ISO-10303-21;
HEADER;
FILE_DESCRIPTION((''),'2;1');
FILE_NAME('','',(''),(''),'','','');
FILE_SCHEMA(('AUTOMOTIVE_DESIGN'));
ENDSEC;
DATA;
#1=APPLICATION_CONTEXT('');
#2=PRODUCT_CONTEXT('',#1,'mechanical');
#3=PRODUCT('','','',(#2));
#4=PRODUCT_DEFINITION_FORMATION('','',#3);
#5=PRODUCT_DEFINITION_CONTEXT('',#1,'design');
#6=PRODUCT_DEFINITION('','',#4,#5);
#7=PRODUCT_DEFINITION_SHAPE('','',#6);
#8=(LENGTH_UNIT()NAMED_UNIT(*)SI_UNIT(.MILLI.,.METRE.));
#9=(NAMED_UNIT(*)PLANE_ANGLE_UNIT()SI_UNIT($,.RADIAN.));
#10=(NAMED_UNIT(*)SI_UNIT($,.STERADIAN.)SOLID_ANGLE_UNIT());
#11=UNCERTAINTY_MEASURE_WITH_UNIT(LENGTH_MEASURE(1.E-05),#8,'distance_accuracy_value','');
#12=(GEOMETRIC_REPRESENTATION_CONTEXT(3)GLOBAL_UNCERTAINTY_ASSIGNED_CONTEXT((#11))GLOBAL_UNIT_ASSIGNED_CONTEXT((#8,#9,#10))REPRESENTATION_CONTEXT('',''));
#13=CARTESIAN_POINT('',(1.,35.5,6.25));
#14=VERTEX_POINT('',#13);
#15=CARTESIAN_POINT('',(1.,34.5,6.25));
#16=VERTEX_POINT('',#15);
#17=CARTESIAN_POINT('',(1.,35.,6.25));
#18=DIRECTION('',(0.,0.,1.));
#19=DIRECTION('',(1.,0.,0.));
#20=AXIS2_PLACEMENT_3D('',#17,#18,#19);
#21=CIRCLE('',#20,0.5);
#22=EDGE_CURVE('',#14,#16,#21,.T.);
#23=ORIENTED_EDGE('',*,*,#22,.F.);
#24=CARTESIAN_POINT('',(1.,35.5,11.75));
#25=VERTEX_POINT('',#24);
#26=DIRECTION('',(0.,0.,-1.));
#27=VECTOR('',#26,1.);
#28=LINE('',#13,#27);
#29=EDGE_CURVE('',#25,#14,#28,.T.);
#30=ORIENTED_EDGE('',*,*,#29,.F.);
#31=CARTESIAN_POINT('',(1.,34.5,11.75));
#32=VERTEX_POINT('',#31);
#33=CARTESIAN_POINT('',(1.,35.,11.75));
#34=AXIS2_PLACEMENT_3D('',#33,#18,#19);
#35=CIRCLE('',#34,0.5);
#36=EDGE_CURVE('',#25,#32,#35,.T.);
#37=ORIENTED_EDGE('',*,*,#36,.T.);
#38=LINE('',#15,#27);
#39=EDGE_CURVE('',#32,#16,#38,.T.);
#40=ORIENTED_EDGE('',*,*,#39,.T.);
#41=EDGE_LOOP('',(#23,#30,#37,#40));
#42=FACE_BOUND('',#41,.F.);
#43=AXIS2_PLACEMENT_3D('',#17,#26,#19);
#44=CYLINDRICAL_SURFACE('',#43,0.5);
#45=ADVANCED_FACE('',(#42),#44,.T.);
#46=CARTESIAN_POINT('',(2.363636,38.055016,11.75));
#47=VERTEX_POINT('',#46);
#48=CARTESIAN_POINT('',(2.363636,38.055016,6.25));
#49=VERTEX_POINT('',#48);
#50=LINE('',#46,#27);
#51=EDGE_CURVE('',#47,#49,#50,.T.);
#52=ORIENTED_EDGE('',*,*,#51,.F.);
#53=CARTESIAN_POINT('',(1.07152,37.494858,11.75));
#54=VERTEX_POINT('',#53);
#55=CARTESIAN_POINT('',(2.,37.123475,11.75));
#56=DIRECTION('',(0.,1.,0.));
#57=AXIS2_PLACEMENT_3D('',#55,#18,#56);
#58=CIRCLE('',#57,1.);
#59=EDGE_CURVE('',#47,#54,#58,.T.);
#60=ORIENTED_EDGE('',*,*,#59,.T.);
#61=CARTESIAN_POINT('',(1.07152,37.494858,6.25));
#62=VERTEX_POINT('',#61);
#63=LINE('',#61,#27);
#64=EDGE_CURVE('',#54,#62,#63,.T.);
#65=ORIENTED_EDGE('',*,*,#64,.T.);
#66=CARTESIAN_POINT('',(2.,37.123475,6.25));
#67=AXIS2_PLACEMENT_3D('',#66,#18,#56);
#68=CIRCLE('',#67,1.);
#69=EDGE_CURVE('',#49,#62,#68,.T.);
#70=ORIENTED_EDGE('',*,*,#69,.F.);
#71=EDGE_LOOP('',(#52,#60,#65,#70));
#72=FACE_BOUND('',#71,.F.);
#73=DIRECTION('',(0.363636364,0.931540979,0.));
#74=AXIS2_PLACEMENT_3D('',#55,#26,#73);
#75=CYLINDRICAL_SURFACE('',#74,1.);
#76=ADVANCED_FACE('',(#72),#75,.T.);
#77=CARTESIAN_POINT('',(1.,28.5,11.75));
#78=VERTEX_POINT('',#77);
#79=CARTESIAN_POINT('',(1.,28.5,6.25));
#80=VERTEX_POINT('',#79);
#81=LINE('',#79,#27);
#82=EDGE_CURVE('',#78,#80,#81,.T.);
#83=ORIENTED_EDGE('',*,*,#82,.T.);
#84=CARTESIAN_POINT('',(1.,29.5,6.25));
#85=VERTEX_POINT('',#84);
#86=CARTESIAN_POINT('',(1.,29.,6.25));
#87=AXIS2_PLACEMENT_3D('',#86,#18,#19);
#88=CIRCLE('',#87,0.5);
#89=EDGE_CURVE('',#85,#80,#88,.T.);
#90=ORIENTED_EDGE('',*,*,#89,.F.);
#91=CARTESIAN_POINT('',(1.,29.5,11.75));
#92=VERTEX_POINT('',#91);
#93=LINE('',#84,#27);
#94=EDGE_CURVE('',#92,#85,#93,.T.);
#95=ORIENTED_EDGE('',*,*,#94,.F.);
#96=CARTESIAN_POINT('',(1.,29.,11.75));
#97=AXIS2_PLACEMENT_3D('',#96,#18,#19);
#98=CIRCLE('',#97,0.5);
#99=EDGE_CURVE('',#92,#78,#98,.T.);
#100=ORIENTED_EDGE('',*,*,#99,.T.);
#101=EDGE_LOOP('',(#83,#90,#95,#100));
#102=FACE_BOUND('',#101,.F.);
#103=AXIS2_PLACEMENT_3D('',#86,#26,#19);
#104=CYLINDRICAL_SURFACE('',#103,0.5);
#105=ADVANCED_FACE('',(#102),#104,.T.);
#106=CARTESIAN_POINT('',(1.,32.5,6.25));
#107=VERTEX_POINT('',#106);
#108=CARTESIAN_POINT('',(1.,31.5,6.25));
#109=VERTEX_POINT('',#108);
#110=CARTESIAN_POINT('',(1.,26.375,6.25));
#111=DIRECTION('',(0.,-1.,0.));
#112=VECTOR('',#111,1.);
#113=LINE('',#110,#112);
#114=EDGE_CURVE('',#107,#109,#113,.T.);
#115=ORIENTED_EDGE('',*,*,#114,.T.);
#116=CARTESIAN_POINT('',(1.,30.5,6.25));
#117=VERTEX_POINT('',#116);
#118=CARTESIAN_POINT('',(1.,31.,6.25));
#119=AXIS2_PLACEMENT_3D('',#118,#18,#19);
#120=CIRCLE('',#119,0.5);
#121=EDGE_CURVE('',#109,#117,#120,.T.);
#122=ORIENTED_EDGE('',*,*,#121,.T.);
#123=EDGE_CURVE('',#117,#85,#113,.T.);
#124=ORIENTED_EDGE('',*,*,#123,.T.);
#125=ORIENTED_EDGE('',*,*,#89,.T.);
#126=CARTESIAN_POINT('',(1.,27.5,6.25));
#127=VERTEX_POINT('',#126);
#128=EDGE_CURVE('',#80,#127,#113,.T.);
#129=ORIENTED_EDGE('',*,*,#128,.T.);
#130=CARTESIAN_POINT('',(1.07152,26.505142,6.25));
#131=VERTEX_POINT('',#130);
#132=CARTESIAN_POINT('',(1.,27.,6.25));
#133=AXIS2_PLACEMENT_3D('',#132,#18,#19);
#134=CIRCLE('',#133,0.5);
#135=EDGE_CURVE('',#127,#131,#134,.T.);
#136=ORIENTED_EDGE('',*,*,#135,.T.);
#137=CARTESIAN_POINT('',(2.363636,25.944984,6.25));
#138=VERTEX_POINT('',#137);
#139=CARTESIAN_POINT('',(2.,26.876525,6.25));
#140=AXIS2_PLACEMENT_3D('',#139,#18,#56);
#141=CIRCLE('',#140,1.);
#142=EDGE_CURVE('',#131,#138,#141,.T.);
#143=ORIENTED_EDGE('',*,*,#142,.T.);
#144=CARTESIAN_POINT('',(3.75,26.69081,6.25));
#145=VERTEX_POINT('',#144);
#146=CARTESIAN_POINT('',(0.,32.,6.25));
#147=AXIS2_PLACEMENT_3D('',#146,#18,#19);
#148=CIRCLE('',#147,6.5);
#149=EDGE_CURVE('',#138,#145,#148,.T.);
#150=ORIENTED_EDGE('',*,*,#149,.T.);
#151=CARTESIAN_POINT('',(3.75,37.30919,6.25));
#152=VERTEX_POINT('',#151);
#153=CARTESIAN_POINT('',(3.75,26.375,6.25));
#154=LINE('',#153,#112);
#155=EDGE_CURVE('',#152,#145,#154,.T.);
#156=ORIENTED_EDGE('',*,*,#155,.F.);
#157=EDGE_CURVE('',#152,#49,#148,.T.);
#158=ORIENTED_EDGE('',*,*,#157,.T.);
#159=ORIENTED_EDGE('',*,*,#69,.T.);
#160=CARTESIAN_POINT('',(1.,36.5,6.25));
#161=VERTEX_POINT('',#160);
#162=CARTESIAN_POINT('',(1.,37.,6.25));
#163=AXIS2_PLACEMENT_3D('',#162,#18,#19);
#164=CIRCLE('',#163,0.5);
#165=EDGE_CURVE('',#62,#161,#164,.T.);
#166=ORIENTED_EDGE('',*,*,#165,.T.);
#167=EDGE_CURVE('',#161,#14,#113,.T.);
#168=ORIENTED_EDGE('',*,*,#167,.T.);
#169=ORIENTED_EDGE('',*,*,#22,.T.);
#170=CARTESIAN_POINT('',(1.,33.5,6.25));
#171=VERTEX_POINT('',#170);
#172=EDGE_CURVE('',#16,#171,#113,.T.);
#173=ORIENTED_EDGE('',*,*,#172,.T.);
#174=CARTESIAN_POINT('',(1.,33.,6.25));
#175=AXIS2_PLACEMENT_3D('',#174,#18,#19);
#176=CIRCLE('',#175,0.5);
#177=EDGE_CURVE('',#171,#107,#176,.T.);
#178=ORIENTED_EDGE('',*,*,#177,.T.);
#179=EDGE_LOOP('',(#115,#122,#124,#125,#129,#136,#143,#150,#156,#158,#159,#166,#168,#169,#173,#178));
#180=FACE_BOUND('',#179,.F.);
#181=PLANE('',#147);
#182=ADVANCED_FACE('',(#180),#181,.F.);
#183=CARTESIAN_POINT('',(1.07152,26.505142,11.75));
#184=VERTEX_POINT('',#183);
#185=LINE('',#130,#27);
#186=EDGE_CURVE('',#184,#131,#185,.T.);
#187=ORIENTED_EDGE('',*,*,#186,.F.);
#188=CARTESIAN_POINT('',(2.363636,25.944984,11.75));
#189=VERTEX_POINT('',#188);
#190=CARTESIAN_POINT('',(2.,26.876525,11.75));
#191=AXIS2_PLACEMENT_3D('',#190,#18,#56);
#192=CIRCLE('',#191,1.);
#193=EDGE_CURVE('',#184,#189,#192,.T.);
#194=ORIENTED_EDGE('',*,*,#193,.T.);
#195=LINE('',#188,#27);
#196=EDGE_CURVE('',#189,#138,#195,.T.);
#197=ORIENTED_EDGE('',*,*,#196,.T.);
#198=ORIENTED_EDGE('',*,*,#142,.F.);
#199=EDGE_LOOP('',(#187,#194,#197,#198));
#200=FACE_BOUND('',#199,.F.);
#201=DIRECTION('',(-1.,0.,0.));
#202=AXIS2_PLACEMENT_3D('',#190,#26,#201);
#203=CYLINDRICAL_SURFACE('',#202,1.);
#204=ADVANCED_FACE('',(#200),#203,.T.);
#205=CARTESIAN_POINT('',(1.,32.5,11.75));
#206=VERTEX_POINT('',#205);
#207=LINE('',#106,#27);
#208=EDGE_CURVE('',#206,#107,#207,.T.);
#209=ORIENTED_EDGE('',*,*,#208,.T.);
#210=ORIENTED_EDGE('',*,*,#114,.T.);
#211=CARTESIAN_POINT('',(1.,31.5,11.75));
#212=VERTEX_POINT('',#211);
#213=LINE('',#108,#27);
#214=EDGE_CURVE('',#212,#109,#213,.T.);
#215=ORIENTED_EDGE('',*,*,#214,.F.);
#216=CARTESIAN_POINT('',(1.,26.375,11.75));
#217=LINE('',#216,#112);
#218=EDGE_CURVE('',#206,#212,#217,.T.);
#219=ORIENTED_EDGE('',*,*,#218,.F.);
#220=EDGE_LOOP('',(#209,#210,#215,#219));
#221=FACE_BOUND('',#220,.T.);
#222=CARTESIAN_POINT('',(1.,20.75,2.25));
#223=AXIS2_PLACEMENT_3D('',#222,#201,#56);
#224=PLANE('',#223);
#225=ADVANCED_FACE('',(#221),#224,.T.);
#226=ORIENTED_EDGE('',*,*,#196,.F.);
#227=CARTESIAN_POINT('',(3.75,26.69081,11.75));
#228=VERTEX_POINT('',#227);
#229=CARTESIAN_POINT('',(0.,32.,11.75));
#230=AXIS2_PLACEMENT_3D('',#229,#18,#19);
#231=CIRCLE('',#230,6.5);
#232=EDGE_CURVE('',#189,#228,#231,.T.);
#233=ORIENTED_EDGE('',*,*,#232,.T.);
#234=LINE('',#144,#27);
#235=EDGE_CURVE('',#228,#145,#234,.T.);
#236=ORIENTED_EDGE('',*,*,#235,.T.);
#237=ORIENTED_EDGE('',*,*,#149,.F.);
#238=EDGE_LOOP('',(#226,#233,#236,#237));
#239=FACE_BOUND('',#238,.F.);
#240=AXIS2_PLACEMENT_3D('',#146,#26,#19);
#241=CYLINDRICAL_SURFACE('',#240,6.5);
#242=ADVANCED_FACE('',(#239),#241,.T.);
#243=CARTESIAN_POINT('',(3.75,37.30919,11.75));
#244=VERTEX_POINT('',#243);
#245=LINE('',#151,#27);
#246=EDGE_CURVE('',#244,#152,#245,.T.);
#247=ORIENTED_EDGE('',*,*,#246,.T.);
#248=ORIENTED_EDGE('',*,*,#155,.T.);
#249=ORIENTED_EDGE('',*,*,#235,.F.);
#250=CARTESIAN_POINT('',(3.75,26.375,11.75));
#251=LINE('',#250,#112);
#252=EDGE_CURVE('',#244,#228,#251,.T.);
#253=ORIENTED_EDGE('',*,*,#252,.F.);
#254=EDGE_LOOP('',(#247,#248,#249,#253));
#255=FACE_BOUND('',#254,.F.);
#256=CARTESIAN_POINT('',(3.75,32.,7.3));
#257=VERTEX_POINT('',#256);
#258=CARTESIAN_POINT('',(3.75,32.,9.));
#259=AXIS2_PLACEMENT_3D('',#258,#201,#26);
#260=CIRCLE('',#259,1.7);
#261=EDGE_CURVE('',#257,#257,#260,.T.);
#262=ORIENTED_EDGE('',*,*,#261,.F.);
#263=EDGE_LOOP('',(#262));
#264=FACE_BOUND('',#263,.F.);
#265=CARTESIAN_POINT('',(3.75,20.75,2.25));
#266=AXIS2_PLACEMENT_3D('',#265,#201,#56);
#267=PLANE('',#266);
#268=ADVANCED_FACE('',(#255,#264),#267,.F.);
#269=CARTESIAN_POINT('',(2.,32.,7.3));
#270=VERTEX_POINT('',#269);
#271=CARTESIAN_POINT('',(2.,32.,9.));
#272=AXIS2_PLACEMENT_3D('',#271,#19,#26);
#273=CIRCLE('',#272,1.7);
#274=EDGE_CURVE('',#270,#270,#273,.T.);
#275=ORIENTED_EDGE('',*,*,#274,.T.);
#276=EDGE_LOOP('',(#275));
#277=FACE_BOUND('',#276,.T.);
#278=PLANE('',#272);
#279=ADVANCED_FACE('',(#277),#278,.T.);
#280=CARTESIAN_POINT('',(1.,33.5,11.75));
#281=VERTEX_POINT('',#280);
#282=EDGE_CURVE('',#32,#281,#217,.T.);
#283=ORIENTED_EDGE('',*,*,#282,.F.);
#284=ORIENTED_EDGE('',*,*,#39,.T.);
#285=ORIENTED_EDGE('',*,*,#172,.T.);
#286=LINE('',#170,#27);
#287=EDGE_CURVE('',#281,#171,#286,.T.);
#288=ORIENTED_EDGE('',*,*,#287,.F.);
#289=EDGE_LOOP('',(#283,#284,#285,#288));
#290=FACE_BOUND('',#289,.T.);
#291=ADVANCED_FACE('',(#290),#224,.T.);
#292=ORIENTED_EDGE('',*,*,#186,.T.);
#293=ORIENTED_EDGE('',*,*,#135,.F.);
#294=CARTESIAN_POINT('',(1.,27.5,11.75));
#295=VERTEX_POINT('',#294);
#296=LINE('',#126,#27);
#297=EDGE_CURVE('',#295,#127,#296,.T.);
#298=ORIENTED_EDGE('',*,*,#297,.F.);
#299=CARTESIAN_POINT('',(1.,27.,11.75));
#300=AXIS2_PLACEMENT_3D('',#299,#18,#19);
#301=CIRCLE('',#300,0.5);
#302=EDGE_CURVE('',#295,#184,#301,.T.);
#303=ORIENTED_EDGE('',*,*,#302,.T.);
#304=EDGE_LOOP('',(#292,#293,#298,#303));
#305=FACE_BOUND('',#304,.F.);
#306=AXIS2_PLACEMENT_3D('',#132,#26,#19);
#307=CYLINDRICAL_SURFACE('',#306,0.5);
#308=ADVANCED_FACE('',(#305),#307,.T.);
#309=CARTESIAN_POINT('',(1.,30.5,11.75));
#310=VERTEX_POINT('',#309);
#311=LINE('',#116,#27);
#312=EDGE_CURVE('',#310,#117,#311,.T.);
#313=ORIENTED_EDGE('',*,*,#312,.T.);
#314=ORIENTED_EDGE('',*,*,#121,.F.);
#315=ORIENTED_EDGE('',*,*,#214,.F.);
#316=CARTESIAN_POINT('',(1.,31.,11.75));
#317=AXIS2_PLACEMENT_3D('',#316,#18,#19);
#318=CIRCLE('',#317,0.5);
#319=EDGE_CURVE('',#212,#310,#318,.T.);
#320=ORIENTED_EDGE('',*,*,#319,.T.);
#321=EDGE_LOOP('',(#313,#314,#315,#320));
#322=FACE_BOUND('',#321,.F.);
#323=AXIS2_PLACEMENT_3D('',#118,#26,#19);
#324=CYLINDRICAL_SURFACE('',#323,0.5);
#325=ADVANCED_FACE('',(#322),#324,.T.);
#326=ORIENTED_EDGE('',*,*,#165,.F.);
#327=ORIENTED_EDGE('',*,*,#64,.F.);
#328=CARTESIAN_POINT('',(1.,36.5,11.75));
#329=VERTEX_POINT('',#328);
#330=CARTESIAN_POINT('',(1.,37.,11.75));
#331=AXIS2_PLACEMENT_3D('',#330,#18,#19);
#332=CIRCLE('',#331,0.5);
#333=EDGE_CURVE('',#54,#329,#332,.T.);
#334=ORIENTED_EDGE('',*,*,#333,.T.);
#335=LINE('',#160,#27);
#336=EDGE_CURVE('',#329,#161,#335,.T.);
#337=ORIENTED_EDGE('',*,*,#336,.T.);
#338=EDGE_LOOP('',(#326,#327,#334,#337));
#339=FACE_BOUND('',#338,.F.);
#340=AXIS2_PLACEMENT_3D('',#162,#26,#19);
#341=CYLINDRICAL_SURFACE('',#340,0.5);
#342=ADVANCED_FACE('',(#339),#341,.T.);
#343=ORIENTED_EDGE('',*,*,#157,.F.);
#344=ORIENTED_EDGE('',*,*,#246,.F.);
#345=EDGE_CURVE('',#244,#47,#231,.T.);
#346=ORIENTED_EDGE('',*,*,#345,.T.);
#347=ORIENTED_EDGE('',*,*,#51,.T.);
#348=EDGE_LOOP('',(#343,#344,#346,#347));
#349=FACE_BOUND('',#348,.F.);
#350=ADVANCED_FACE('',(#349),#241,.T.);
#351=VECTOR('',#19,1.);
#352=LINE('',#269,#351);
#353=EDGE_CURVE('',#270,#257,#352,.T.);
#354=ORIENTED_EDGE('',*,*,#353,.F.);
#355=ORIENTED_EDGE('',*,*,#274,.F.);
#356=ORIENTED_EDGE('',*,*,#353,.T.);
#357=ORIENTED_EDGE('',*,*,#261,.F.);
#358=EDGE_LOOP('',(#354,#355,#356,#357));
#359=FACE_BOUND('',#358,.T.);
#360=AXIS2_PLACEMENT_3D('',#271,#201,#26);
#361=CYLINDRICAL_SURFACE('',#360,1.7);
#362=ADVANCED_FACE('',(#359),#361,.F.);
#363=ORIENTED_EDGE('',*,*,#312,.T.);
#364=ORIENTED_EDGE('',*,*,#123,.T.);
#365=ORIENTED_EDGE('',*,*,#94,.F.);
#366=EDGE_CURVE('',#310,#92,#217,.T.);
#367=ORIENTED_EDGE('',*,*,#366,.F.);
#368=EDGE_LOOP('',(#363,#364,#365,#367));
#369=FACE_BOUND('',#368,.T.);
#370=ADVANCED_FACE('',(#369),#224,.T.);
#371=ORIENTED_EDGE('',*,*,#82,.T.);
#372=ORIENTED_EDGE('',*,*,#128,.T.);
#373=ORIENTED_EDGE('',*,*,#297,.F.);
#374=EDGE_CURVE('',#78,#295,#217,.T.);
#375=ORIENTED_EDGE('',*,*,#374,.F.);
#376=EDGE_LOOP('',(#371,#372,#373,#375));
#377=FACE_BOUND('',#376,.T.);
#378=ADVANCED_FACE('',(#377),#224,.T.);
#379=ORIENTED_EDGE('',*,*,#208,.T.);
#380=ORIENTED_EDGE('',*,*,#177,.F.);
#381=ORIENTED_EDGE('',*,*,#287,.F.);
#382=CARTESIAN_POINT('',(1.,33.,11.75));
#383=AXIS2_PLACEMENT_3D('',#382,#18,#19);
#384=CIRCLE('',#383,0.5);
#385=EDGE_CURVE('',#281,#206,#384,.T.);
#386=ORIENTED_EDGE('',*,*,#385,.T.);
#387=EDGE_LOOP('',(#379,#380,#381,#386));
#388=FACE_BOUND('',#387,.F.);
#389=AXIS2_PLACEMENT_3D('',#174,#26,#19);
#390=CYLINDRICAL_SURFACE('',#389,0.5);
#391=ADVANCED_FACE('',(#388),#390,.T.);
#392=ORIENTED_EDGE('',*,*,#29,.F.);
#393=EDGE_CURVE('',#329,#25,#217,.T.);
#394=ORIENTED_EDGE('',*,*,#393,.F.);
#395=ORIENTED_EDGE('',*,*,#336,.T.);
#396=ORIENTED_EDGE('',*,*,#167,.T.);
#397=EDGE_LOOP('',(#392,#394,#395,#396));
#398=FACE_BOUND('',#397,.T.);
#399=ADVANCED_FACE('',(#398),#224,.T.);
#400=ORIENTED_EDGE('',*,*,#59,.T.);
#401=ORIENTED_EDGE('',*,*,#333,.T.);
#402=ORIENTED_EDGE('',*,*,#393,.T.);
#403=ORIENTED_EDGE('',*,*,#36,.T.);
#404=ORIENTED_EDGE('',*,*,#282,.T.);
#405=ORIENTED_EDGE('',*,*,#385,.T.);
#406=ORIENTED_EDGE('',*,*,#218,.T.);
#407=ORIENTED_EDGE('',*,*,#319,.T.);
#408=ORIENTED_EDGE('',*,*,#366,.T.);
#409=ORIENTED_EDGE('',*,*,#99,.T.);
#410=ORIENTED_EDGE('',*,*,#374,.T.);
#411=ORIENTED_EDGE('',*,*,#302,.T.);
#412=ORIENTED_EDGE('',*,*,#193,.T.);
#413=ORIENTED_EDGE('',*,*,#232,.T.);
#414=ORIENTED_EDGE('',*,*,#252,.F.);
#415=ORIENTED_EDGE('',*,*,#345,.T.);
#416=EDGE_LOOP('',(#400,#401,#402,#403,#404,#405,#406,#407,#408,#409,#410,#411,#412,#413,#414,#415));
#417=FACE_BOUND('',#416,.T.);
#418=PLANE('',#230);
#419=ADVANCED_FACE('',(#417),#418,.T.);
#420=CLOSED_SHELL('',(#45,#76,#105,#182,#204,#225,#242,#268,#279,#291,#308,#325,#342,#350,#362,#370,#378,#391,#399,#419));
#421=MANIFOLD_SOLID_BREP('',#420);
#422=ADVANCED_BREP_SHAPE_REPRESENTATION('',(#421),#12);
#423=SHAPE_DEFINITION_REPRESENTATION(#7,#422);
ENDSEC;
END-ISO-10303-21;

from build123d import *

# Parameters (mm, degrees)
CYLINDER022_R     = 0.5
CYLINDER022_DEPTH = 5.5
CYLINDER020_R     = 0.5
CYLINDER020_DEPTH = 5.5
CYLINDER021_R     = 0.5
CYLINDER021_DEPTH = 5.5
CYLINDER023_R     = 0.5
CYLINDER023_DEPTH = 5.5
CYLINDER018_R     = 0.5
CYLINDER018_DEPTH = 5.5
CYLINDER017_R     = 1.7
CYLINDER017_DEPTH = 10
BOX012_W          = 10
BOX012_H          = 19
BOX012_DEPTH      = 10
BOX015_W          = 10
BOX015_H          = 19
BOX015_DEPTH      = 10
CYLINDER013_R     = 6.5
CYLINDER013_DEPTH = 5.5
FILLET003_R       = 1
CYLINDER024_R     = 0.5
CYLINDER024_DEPTH = 5.5


with BuildPart() as cylinder022:
    # Cylinder022 → Cylinder022 (new body)
    with BuildSketch(Plane(origin=(1, 31, 6.25), x_dir=(1, 0, 0), z_dir=(0, 0, 1))):
        Circle(CYLINDER022_R)
    extrude(amount=CYLINDER022_DEPTH)


with BuildPart() as cylinder020:
    # Cylinder020 → Cylinder020 (new body)
    with BuildSketch(Plane(origin=(1, 35, 6.25), x_dir=(1, 0, 0), z_dir=(0, 0, 1))):
        Circle(CYLINDER020_R)
    extrude(amount=CYLINDER020_DEPTH)


with BuildPart() as cylinder021:
    # Cylinder021 → Cylinder021 (new body)
    with BuildSketch(Plane(origin=(1, 37, 6.25), x_dir=(1, 0, 0), z_dir=(0, 0, 1))):
        Circle(CYLINDER021_R)
    extrude(amount=CYLINDER021_DEPTH)


with BuildPart() as cylinder023:
    # Cylinder023 → Cylinder023 (new body)
    with BuildSketch(Plane(origin=(1, 29, 6.25), x_dir=(1, 0, 0), z_dir=(0, 0, 1))):
        Circle(CYLINDER023_R)
    extrude(amount=CYLINDER023_DEPTH)


with BuildPart() as cylinder018:
    # Cylinder018 → Cylinder018 (new body)
    with BuildSketch(Plane(origin=(1, 27, 6.25), x_dir=(1, 0, 0), z_dir=(0, 0, 1))):
        Circle(CYLINDER018_R)
    extrude(amount=CYLINDER018_DEPTH)


with BuildPart() as cylinder017:
    # Cylinder017 → Cylinder017 (new body)
    with BuildSketch(Plane(origin=(2, 32, 9), x_dir=(0, 0, -1), z_dir=(1, 0, 0))):
        Circle(CYLINDER017_R)
    extrude(amount=CYLINDER017_DEPTH)


with BuildPart() as cube012:
    # Box012 → Box012 (new body)
    with BuildSketch(Plane(origin=(-9, 20.75, 2.25), x_dir=(1, 0, 0), z_dir=(0, 0, 1))):
        with Locations((5, 9.5)):
            Rectangle(BOX012_W, BOX012_H)
    extrude(amount=BOX012_DEPTH)


with BuildPart() as cube015:
    # Box015 → Box015 (new body)
    with BuildSketch(Plane(origin=(3.75, 20.75, 2.25), x_dir=(1, 0, 0), z_dir=(0, 0, 1))):
        with Locations((5, 9.5)):
            Rectangle(BOX015_W, BOX015_H)
    extrude(amount=BOX015_DEPTH)


with BuildPart() as cut002008023012009006003002006_body:
    # Cylinder013 → Cylinder013 (new body)
    with BuildSketch(Plane(origin=(0, 32, 6.25), x_dir=(1, 0, 0), z_dir=(0, 0, 1))):
        Circle(CYLINDER013_R)
    extrude(amount=CYLINDER013_DEPTH)

    # Cut002008023012009006003002006002006002004006: cut Cube015
    add(cube015.part, mode=Mode.SUBTRACT)

    # Cut002008023012009006003002006002006002004007: cut Cube012
    add(cube012.part, mode=Mode.SUBTRACT)

    # Fillet003
    fillet003_edges = [cut002008023012009006003002006_body.edges().sort_by_distance(p)[0] for p in [
        (1, 38.422616, 9),
        (1, 25.577384, 9),
    ]]
    fillet(fillet003_edges, radius=FILLET003_R)

    # Cut002008023012009006003002006002006002004008: cut Cylinder017
    add(cylinder017.part, mode=Mode.SUBTRACT)


with BuildPart() as wire_clamp:
    # Cylinder024 → Cylinder024 (new body)
    with BuildSketch(Plane(origin=(1, 33, 6.25), x_dir=(1, 0, 0), z_dir=(0, 0, 1))):
        Circle(CYLINDER024_R)
    extrude(amount=CYLINDER024_DEPTH)

    # Fusion001001001011002: union Cylinder022, Cylinder020, Cylinder021, Cylinder023, Cylinder018, Cut002008023012009006003002006 body
    add(cylinder022.part)
    add(cylinder020.part)
    add(cylinder021.part)
    add(cylinder023.part)
    add(cylinder018.part)
    add(cut002008023012009006003002006_body.part)


solid = wire_clamp.part
